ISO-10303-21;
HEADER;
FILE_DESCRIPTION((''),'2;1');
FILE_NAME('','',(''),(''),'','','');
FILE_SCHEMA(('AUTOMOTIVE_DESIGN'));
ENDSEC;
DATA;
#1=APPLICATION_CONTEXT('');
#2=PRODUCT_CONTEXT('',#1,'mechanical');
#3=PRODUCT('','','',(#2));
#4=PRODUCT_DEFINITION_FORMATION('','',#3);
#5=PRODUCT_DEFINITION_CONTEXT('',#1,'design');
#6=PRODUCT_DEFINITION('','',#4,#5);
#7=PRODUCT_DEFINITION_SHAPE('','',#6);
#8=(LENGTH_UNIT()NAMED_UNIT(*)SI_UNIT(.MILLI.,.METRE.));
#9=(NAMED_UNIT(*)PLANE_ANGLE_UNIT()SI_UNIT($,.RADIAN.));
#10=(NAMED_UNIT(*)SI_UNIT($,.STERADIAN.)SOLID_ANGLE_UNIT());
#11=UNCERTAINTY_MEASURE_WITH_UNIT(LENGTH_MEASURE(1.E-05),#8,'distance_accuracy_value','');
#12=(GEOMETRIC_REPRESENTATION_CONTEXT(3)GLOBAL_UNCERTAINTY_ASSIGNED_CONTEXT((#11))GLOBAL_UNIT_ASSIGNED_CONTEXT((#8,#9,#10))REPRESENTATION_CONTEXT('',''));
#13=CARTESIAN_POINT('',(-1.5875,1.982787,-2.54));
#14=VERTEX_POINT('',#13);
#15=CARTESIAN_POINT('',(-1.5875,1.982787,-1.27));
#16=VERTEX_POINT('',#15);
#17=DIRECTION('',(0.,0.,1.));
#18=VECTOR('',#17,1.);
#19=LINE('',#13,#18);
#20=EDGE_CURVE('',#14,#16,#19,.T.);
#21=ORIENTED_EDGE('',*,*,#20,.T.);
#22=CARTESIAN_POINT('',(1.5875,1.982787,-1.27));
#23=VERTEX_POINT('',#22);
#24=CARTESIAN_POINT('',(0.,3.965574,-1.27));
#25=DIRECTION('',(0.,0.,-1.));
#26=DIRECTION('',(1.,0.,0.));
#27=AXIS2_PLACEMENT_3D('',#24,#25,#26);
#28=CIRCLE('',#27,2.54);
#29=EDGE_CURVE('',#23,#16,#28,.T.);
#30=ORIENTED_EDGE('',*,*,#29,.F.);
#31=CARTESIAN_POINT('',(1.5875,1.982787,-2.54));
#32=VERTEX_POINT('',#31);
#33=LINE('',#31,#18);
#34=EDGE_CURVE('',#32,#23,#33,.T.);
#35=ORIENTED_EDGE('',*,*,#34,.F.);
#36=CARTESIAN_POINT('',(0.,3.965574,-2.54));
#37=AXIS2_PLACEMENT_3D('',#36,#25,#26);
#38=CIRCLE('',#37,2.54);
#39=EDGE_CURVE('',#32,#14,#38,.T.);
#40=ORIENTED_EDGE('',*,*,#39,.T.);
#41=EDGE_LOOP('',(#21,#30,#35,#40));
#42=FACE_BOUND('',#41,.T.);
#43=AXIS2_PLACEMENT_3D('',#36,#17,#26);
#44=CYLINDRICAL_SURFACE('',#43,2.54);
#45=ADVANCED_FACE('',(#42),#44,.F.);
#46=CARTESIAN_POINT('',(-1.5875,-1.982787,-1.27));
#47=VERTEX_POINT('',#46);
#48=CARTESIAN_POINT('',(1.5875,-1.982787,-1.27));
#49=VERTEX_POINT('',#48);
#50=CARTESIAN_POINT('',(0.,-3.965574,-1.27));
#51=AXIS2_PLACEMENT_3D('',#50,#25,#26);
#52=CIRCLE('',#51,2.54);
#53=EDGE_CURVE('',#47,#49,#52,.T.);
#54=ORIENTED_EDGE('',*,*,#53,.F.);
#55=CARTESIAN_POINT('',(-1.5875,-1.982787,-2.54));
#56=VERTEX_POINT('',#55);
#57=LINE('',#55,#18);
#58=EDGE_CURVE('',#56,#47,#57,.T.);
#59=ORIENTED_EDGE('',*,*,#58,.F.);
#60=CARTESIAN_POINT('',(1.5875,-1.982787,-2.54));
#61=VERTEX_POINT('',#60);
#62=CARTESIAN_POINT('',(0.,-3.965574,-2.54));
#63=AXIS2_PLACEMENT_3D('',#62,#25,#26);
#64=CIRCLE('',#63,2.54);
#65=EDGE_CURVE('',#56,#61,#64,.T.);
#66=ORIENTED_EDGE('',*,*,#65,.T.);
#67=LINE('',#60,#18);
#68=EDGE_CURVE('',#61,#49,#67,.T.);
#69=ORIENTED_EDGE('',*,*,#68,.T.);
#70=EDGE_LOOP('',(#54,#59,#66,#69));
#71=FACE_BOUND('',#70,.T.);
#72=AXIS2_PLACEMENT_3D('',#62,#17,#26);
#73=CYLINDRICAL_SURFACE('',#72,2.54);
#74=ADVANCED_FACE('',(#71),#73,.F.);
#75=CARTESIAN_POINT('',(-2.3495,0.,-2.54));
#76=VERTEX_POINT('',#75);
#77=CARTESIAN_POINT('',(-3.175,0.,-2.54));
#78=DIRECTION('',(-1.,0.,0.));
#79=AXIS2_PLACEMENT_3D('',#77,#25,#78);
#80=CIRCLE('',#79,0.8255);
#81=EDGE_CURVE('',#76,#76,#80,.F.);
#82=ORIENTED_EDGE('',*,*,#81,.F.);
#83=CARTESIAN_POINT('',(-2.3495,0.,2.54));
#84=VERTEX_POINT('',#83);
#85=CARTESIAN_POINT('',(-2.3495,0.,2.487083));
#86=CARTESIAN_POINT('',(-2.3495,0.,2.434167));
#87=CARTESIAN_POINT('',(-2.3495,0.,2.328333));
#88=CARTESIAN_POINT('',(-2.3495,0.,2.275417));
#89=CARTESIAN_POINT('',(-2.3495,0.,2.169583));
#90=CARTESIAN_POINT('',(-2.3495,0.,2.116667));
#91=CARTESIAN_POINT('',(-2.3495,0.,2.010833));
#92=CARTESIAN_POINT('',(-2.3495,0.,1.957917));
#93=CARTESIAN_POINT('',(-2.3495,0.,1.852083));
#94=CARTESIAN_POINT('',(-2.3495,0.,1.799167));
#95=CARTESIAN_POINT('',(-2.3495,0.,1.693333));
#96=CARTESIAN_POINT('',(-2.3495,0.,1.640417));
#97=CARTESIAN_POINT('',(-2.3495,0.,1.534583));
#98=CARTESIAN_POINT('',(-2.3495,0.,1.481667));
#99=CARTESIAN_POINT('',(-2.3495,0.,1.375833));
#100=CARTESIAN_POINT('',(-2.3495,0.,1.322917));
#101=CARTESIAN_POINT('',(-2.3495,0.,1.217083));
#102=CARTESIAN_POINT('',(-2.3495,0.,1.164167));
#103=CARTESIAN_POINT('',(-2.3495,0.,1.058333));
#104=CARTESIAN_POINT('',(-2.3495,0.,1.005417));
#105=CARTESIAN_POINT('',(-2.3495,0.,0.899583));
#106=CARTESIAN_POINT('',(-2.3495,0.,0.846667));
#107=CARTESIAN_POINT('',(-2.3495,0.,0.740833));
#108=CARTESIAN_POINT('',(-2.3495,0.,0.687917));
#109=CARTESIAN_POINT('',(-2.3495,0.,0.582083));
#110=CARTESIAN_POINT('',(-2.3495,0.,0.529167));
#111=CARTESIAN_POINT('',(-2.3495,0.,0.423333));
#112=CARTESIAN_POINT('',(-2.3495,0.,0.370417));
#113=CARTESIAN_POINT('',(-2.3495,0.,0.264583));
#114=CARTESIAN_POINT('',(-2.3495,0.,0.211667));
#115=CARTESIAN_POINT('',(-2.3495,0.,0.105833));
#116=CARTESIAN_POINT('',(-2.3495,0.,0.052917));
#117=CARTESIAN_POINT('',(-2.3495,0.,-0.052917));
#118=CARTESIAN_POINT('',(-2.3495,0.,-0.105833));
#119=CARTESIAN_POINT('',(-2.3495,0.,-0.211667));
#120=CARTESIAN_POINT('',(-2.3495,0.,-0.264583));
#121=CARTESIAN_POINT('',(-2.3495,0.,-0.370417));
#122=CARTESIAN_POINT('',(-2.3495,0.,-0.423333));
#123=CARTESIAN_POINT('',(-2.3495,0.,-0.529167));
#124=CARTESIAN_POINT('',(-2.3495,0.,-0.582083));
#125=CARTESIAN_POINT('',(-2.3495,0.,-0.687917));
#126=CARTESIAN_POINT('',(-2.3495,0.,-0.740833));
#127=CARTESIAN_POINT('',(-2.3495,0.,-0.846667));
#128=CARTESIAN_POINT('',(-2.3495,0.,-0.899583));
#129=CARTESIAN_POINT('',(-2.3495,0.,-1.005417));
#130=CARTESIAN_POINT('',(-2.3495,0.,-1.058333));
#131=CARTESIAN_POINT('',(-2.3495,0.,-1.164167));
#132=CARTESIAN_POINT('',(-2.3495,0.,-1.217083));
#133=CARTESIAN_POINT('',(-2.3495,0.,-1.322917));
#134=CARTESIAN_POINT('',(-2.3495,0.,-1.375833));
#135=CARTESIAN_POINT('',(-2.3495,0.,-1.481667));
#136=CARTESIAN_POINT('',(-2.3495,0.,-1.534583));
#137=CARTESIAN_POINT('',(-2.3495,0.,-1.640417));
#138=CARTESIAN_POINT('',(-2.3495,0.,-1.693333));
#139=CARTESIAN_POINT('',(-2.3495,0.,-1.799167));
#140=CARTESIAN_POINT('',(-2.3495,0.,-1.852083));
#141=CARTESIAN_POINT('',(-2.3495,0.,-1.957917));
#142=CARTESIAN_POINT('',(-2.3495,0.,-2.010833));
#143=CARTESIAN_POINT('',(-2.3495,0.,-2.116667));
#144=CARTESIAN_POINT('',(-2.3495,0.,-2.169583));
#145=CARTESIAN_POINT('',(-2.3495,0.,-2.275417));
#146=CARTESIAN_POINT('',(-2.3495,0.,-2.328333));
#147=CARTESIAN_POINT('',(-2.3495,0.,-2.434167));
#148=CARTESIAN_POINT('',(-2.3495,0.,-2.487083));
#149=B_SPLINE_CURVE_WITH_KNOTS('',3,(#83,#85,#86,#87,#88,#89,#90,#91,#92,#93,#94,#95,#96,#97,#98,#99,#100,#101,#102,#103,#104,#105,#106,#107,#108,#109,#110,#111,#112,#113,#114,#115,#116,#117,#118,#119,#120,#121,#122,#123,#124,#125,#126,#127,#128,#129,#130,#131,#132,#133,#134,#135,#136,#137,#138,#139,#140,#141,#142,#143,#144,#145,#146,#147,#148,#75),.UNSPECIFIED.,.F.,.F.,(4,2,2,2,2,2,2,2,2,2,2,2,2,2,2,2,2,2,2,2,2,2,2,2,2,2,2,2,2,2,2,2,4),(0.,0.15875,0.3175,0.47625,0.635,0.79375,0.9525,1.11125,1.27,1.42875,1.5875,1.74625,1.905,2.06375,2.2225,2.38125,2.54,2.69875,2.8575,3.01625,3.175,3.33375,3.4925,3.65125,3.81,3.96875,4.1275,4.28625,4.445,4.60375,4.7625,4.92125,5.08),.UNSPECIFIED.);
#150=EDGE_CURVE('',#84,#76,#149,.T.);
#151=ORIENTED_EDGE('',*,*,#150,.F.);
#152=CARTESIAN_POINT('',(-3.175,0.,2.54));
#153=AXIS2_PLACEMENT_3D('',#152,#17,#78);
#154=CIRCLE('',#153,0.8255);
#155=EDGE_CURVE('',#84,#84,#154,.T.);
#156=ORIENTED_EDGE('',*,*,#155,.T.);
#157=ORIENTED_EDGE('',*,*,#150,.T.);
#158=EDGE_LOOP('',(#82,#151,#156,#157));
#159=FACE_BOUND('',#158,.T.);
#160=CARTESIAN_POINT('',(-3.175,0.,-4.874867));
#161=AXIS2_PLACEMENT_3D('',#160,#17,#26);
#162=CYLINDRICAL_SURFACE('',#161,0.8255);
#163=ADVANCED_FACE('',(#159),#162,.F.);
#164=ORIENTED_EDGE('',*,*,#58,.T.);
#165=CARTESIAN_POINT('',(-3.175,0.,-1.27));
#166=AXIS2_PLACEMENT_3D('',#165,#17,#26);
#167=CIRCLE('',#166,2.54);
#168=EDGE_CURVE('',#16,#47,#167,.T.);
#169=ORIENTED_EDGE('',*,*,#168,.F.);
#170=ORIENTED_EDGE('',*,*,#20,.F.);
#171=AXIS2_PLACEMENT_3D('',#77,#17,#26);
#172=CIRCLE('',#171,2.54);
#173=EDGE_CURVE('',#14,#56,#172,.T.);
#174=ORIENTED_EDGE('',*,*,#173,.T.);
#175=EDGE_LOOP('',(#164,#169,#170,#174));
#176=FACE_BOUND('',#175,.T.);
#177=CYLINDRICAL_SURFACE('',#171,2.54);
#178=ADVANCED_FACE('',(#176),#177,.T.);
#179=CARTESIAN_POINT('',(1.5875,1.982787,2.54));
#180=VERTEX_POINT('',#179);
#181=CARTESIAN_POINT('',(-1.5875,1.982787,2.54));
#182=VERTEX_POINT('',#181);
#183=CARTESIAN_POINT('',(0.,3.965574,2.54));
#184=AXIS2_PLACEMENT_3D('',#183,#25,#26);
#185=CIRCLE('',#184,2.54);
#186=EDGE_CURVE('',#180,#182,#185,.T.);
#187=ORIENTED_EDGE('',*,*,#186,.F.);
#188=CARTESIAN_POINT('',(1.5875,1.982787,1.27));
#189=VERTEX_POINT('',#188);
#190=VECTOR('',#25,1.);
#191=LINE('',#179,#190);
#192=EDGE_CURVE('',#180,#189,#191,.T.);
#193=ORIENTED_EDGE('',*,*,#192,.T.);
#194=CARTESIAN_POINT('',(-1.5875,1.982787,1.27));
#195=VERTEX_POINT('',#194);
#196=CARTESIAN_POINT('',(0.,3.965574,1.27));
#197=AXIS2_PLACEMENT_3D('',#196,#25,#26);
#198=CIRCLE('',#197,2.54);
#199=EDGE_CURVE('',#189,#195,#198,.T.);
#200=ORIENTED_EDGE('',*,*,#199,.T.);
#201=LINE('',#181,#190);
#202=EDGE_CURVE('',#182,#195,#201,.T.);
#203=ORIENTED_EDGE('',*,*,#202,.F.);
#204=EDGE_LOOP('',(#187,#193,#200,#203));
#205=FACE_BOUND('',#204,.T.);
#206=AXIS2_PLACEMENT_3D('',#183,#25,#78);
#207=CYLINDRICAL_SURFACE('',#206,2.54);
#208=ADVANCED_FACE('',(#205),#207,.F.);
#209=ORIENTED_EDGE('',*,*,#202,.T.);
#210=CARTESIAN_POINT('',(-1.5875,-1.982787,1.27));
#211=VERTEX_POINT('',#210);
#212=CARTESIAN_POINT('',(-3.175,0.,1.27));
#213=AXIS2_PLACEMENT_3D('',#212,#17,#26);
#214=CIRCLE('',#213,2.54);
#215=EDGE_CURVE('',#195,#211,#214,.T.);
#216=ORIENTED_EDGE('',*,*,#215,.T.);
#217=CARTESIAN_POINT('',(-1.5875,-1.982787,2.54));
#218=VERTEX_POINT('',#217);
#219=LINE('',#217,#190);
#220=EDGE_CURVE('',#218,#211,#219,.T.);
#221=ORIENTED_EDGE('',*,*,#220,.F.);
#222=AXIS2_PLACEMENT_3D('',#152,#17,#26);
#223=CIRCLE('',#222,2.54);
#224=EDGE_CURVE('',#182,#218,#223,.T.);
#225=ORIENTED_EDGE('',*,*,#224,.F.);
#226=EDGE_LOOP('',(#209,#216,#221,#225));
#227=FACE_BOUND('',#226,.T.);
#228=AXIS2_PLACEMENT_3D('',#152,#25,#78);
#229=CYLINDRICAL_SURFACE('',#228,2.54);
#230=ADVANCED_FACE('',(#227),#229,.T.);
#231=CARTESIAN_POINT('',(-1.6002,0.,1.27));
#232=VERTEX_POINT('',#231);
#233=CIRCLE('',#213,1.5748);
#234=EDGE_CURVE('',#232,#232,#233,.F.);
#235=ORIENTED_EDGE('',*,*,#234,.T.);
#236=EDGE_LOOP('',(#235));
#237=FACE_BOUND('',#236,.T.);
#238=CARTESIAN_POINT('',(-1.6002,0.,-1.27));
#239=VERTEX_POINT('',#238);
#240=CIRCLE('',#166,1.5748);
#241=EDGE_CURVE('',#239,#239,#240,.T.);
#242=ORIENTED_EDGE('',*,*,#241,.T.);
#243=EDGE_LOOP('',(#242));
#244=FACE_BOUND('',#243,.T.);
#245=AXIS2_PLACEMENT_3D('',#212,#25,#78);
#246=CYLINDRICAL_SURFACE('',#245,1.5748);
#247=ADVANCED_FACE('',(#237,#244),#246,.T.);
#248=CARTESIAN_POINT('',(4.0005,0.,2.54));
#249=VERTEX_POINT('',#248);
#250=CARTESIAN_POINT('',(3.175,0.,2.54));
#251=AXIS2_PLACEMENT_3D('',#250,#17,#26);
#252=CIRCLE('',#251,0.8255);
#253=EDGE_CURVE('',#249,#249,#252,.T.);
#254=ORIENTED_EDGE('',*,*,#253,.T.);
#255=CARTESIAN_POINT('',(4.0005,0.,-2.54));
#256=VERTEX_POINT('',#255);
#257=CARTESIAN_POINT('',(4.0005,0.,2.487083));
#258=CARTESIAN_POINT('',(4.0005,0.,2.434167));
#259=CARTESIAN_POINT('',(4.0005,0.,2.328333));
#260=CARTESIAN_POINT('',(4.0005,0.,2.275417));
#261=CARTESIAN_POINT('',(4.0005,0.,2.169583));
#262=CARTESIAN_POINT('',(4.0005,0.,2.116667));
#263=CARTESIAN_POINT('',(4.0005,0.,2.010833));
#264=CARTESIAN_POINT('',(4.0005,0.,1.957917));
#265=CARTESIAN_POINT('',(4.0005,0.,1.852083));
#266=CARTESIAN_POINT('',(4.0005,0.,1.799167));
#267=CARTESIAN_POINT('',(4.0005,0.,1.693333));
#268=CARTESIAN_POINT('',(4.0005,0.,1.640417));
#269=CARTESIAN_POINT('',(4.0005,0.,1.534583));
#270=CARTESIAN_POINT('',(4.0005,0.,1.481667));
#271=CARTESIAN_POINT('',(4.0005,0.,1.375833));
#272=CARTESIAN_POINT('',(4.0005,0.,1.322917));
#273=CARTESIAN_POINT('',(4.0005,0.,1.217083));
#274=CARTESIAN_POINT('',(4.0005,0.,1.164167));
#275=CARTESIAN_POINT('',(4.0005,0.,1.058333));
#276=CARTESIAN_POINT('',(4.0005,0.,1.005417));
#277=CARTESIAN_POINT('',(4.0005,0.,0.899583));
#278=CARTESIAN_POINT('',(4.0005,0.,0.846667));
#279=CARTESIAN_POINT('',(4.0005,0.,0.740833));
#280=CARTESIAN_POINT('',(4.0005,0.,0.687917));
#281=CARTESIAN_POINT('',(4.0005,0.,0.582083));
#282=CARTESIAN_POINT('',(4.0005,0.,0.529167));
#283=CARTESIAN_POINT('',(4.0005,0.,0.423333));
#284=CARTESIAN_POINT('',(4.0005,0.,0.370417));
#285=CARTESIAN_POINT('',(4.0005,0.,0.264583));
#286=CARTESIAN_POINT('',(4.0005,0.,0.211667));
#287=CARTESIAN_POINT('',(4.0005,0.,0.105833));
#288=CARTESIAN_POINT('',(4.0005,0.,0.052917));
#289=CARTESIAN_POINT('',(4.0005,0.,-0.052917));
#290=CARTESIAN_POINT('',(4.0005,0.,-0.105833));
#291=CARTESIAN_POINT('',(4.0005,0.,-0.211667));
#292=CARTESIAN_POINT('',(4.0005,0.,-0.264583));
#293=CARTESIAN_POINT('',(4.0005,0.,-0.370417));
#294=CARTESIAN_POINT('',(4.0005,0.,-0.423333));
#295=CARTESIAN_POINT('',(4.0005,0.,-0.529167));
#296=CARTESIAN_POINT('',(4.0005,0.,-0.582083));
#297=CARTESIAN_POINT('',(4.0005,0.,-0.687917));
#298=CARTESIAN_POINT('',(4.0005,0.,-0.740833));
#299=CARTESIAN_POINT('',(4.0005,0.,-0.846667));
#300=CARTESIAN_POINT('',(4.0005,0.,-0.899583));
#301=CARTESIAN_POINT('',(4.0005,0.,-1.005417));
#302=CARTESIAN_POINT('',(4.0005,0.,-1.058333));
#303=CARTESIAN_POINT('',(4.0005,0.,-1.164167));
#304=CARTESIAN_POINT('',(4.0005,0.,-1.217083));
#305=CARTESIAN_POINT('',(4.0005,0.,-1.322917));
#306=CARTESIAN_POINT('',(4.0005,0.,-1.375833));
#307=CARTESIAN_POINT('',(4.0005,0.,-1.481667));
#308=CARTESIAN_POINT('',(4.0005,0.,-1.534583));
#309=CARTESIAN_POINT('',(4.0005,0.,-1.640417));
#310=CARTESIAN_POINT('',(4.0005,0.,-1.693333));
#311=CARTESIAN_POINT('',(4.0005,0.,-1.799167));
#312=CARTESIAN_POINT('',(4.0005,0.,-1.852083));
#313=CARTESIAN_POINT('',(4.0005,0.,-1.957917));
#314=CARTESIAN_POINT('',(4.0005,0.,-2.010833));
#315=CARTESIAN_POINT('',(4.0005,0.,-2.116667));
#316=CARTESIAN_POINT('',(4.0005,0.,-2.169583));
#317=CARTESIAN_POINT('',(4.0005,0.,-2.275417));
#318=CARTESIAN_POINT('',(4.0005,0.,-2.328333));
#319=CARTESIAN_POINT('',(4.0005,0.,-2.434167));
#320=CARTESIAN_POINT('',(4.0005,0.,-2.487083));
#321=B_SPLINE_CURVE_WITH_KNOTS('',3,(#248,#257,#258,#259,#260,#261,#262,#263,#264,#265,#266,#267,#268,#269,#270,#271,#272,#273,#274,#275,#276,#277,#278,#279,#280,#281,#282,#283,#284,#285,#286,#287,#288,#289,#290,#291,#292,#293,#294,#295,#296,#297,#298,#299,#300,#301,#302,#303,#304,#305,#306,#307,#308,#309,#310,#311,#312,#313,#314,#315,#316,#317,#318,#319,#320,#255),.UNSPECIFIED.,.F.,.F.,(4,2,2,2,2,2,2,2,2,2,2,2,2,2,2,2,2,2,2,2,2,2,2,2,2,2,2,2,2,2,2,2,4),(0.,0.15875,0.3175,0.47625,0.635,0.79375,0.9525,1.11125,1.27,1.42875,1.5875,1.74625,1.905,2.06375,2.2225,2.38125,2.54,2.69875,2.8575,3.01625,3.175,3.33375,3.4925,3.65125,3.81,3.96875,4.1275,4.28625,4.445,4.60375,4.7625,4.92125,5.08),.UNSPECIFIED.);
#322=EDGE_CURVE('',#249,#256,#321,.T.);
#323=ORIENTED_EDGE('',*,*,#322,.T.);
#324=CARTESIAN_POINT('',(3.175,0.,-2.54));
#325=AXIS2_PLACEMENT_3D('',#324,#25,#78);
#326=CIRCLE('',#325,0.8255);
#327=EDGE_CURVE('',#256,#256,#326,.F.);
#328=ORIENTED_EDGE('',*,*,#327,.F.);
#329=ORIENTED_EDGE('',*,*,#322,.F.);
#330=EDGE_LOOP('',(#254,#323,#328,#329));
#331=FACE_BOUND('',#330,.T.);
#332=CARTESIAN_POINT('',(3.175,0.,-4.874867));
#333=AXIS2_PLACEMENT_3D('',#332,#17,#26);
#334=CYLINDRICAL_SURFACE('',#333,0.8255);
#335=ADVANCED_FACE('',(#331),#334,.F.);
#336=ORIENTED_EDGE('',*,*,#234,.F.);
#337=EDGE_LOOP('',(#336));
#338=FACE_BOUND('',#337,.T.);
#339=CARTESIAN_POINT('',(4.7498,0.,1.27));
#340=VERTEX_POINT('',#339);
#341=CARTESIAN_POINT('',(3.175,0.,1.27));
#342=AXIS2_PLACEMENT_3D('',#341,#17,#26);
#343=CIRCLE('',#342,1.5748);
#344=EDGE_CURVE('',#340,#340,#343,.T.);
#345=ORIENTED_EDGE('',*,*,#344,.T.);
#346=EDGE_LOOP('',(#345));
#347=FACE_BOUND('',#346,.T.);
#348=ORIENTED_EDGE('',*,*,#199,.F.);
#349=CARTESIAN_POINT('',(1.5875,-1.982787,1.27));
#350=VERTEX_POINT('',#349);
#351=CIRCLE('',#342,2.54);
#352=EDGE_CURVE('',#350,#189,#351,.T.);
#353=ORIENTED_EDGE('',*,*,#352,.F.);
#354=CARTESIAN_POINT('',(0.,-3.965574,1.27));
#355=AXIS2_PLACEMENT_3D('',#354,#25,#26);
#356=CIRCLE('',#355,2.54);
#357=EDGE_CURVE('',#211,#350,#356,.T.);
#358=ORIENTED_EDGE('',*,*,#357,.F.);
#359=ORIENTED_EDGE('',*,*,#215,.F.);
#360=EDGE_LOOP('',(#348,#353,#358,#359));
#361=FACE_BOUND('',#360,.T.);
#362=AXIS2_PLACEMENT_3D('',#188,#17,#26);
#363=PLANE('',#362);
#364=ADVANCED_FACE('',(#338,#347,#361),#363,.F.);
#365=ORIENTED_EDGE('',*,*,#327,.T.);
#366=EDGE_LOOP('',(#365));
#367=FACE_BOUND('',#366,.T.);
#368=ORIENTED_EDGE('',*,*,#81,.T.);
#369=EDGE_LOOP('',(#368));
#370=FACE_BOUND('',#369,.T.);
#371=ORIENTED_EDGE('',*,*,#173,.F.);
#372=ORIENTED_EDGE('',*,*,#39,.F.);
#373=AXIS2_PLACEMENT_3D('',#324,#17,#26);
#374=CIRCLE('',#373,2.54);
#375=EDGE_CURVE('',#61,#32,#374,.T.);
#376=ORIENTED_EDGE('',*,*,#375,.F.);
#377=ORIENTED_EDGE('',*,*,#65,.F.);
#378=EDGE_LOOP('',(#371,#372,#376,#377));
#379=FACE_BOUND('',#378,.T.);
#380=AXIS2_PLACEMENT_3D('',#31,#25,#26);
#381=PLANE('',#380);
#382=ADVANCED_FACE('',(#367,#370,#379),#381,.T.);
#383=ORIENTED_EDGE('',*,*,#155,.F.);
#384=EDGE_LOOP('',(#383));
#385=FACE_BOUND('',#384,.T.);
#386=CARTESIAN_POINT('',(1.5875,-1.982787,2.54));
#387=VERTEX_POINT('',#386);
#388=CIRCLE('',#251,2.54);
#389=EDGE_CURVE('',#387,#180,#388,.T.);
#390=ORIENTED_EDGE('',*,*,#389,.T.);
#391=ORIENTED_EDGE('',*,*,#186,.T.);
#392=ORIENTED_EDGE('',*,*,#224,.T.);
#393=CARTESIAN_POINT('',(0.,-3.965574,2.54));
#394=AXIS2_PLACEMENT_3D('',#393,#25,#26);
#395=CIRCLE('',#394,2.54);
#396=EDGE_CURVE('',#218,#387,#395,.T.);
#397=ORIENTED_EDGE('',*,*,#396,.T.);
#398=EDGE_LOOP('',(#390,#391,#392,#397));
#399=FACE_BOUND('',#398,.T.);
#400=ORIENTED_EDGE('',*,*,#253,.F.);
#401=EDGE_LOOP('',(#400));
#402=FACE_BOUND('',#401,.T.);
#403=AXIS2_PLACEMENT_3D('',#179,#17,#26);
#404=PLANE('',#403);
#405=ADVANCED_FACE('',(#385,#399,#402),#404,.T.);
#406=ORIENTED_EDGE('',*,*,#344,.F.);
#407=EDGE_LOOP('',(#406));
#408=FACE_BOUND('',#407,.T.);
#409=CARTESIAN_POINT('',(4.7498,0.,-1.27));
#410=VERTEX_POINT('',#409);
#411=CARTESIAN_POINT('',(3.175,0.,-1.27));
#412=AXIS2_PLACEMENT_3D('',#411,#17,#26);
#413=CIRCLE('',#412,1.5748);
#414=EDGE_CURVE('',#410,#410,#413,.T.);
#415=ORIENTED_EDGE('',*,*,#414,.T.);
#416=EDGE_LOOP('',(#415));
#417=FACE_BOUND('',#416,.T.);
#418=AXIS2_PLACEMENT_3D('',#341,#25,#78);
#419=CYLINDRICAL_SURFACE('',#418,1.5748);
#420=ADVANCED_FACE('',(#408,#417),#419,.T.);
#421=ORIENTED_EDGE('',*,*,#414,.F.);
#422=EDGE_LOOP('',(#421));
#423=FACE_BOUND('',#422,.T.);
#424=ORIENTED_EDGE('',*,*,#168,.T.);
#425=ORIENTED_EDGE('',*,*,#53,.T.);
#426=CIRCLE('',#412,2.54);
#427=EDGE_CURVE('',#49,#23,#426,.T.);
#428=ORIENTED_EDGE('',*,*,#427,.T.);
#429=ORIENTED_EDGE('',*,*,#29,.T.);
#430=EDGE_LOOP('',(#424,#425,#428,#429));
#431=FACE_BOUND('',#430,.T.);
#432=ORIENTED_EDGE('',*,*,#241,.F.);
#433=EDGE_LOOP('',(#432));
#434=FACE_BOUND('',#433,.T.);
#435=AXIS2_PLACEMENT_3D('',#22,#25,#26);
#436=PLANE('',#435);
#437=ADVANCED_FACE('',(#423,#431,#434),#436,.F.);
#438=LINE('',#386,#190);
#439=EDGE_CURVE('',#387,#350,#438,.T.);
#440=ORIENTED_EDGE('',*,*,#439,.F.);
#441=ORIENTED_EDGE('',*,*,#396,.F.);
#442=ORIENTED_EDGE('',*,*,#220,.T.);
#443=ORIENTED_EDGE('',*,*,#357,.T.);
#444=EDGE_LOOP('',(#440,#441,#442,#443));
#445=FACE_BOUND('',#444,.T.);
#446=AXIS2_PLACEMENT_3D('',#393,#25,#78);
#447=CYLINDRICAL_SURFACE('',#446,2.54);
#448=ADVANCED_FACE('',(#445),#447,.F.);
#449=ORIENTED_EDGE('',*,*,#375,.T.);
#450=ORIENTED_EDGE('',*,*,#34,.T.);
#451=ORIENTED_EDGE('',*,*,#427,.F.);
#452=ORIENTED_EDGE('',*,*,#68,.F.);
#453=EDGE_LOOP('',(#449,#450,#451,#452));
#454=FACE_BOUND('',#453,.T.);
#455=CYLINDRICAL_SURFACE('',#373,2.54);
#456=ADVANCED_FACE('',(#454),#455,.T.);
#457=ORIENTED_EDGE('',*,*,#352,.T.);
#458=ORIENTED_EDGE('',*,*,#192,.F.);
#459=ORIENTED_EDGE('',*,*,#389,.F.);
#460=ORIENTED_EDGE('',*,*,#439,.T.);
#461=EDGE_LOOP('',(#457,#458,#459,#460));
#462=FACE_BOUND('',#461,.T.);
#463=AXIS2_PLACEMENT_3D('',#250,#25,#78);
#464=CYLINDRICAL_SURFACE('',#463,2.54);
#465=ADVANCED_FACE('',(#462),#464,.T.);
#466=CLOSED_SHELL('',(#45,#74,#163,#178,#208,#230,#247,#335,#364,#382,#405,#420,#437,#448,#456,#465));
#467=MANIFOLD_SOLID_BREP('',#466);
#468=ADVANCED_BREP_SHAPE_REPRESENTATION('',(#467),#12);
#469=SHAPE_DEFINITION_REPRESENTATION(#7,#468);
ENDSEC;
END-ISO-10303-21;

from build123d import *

# Parameters (mm, degrees)
SKETCH1_R             = 1.5748
BOSS_EXTRUDE1_DEPTH   = 1.27
BOSS_EXTRUDE1_2_DEPTH = 1.27
BOSS_EXTRUDE2_DEPTH   = 1.27
SKETCH3_R             = 0.8255
CUT_EXTRUDE1_DEPTH    = 5.08


with BuildPart() as part:
    # Sketch1 → Boss-Extrude1 (new, symmetric)
    with BuildSketch(Plane.XY):
        with Locations((3.175, 0)):
            Circle(SKETCH1_R)
    extrude(amount=BOSS_EXTRUDE1_DEPTH, both=True)



with BuildPart() as body_2:
    # Sketch1 → Boss-Extrude1 2 (new, symmetric)
    with BuildSketch(Plane.XY):
        with Locations((-3.175, 0)):
            Circle(SKETCH1_R)
    extrude(amount=BOSS_EXTRUDE1_2_DEPTH, both=True)


with BuildPart() as part_1:
    add(part.part)

    add(body_2.part)  # Boss-Extrude2 merges body 2
    # Sketch2 → Boss-Extrude2 (add)
    with BuildSketch(Plane.XY.offset(1.27)):
        with BuildLine():
            ThreePointArc((1.5875, -1.982786864), (5.715, 0), (1.5875, 1.982786864))
            ThreePointArc((1.5875, 1.982786864), (0, 1.425573729), (-1.5875, 1.982786864))
            ThreePointArc((-1.5875, 1.982786864), (-5.715, 0), (-1.5875, -1.982786864))
            ThreePointArc((-1.5875, -1.982786864), (0, -1.425573729), (1.5875, -1.982786864))
        make_face()
    boss_extrude2 = extrude(amount=BOSS_EXTRUDE2_DEPTH)

    # Mirror1: Boss-Extrude2 across plane
    add(boss_extrude2.mirror(Plane.XY))

    # Sketch3 → Cut-Extrude1 (cut)
    with BuildSketch(Plane.XY.offset(2.54)):
        with Locations((3.175, 0)):
            Circle(SKETCH3_R)
        with Locations((-3.175, 0)):
            Circle(SKETCH3_R)
    extrude(amount=-CUT_EXTRUDE1_DEPTH, mode=Mode.SUBTRACT)


solid = part_1.part
